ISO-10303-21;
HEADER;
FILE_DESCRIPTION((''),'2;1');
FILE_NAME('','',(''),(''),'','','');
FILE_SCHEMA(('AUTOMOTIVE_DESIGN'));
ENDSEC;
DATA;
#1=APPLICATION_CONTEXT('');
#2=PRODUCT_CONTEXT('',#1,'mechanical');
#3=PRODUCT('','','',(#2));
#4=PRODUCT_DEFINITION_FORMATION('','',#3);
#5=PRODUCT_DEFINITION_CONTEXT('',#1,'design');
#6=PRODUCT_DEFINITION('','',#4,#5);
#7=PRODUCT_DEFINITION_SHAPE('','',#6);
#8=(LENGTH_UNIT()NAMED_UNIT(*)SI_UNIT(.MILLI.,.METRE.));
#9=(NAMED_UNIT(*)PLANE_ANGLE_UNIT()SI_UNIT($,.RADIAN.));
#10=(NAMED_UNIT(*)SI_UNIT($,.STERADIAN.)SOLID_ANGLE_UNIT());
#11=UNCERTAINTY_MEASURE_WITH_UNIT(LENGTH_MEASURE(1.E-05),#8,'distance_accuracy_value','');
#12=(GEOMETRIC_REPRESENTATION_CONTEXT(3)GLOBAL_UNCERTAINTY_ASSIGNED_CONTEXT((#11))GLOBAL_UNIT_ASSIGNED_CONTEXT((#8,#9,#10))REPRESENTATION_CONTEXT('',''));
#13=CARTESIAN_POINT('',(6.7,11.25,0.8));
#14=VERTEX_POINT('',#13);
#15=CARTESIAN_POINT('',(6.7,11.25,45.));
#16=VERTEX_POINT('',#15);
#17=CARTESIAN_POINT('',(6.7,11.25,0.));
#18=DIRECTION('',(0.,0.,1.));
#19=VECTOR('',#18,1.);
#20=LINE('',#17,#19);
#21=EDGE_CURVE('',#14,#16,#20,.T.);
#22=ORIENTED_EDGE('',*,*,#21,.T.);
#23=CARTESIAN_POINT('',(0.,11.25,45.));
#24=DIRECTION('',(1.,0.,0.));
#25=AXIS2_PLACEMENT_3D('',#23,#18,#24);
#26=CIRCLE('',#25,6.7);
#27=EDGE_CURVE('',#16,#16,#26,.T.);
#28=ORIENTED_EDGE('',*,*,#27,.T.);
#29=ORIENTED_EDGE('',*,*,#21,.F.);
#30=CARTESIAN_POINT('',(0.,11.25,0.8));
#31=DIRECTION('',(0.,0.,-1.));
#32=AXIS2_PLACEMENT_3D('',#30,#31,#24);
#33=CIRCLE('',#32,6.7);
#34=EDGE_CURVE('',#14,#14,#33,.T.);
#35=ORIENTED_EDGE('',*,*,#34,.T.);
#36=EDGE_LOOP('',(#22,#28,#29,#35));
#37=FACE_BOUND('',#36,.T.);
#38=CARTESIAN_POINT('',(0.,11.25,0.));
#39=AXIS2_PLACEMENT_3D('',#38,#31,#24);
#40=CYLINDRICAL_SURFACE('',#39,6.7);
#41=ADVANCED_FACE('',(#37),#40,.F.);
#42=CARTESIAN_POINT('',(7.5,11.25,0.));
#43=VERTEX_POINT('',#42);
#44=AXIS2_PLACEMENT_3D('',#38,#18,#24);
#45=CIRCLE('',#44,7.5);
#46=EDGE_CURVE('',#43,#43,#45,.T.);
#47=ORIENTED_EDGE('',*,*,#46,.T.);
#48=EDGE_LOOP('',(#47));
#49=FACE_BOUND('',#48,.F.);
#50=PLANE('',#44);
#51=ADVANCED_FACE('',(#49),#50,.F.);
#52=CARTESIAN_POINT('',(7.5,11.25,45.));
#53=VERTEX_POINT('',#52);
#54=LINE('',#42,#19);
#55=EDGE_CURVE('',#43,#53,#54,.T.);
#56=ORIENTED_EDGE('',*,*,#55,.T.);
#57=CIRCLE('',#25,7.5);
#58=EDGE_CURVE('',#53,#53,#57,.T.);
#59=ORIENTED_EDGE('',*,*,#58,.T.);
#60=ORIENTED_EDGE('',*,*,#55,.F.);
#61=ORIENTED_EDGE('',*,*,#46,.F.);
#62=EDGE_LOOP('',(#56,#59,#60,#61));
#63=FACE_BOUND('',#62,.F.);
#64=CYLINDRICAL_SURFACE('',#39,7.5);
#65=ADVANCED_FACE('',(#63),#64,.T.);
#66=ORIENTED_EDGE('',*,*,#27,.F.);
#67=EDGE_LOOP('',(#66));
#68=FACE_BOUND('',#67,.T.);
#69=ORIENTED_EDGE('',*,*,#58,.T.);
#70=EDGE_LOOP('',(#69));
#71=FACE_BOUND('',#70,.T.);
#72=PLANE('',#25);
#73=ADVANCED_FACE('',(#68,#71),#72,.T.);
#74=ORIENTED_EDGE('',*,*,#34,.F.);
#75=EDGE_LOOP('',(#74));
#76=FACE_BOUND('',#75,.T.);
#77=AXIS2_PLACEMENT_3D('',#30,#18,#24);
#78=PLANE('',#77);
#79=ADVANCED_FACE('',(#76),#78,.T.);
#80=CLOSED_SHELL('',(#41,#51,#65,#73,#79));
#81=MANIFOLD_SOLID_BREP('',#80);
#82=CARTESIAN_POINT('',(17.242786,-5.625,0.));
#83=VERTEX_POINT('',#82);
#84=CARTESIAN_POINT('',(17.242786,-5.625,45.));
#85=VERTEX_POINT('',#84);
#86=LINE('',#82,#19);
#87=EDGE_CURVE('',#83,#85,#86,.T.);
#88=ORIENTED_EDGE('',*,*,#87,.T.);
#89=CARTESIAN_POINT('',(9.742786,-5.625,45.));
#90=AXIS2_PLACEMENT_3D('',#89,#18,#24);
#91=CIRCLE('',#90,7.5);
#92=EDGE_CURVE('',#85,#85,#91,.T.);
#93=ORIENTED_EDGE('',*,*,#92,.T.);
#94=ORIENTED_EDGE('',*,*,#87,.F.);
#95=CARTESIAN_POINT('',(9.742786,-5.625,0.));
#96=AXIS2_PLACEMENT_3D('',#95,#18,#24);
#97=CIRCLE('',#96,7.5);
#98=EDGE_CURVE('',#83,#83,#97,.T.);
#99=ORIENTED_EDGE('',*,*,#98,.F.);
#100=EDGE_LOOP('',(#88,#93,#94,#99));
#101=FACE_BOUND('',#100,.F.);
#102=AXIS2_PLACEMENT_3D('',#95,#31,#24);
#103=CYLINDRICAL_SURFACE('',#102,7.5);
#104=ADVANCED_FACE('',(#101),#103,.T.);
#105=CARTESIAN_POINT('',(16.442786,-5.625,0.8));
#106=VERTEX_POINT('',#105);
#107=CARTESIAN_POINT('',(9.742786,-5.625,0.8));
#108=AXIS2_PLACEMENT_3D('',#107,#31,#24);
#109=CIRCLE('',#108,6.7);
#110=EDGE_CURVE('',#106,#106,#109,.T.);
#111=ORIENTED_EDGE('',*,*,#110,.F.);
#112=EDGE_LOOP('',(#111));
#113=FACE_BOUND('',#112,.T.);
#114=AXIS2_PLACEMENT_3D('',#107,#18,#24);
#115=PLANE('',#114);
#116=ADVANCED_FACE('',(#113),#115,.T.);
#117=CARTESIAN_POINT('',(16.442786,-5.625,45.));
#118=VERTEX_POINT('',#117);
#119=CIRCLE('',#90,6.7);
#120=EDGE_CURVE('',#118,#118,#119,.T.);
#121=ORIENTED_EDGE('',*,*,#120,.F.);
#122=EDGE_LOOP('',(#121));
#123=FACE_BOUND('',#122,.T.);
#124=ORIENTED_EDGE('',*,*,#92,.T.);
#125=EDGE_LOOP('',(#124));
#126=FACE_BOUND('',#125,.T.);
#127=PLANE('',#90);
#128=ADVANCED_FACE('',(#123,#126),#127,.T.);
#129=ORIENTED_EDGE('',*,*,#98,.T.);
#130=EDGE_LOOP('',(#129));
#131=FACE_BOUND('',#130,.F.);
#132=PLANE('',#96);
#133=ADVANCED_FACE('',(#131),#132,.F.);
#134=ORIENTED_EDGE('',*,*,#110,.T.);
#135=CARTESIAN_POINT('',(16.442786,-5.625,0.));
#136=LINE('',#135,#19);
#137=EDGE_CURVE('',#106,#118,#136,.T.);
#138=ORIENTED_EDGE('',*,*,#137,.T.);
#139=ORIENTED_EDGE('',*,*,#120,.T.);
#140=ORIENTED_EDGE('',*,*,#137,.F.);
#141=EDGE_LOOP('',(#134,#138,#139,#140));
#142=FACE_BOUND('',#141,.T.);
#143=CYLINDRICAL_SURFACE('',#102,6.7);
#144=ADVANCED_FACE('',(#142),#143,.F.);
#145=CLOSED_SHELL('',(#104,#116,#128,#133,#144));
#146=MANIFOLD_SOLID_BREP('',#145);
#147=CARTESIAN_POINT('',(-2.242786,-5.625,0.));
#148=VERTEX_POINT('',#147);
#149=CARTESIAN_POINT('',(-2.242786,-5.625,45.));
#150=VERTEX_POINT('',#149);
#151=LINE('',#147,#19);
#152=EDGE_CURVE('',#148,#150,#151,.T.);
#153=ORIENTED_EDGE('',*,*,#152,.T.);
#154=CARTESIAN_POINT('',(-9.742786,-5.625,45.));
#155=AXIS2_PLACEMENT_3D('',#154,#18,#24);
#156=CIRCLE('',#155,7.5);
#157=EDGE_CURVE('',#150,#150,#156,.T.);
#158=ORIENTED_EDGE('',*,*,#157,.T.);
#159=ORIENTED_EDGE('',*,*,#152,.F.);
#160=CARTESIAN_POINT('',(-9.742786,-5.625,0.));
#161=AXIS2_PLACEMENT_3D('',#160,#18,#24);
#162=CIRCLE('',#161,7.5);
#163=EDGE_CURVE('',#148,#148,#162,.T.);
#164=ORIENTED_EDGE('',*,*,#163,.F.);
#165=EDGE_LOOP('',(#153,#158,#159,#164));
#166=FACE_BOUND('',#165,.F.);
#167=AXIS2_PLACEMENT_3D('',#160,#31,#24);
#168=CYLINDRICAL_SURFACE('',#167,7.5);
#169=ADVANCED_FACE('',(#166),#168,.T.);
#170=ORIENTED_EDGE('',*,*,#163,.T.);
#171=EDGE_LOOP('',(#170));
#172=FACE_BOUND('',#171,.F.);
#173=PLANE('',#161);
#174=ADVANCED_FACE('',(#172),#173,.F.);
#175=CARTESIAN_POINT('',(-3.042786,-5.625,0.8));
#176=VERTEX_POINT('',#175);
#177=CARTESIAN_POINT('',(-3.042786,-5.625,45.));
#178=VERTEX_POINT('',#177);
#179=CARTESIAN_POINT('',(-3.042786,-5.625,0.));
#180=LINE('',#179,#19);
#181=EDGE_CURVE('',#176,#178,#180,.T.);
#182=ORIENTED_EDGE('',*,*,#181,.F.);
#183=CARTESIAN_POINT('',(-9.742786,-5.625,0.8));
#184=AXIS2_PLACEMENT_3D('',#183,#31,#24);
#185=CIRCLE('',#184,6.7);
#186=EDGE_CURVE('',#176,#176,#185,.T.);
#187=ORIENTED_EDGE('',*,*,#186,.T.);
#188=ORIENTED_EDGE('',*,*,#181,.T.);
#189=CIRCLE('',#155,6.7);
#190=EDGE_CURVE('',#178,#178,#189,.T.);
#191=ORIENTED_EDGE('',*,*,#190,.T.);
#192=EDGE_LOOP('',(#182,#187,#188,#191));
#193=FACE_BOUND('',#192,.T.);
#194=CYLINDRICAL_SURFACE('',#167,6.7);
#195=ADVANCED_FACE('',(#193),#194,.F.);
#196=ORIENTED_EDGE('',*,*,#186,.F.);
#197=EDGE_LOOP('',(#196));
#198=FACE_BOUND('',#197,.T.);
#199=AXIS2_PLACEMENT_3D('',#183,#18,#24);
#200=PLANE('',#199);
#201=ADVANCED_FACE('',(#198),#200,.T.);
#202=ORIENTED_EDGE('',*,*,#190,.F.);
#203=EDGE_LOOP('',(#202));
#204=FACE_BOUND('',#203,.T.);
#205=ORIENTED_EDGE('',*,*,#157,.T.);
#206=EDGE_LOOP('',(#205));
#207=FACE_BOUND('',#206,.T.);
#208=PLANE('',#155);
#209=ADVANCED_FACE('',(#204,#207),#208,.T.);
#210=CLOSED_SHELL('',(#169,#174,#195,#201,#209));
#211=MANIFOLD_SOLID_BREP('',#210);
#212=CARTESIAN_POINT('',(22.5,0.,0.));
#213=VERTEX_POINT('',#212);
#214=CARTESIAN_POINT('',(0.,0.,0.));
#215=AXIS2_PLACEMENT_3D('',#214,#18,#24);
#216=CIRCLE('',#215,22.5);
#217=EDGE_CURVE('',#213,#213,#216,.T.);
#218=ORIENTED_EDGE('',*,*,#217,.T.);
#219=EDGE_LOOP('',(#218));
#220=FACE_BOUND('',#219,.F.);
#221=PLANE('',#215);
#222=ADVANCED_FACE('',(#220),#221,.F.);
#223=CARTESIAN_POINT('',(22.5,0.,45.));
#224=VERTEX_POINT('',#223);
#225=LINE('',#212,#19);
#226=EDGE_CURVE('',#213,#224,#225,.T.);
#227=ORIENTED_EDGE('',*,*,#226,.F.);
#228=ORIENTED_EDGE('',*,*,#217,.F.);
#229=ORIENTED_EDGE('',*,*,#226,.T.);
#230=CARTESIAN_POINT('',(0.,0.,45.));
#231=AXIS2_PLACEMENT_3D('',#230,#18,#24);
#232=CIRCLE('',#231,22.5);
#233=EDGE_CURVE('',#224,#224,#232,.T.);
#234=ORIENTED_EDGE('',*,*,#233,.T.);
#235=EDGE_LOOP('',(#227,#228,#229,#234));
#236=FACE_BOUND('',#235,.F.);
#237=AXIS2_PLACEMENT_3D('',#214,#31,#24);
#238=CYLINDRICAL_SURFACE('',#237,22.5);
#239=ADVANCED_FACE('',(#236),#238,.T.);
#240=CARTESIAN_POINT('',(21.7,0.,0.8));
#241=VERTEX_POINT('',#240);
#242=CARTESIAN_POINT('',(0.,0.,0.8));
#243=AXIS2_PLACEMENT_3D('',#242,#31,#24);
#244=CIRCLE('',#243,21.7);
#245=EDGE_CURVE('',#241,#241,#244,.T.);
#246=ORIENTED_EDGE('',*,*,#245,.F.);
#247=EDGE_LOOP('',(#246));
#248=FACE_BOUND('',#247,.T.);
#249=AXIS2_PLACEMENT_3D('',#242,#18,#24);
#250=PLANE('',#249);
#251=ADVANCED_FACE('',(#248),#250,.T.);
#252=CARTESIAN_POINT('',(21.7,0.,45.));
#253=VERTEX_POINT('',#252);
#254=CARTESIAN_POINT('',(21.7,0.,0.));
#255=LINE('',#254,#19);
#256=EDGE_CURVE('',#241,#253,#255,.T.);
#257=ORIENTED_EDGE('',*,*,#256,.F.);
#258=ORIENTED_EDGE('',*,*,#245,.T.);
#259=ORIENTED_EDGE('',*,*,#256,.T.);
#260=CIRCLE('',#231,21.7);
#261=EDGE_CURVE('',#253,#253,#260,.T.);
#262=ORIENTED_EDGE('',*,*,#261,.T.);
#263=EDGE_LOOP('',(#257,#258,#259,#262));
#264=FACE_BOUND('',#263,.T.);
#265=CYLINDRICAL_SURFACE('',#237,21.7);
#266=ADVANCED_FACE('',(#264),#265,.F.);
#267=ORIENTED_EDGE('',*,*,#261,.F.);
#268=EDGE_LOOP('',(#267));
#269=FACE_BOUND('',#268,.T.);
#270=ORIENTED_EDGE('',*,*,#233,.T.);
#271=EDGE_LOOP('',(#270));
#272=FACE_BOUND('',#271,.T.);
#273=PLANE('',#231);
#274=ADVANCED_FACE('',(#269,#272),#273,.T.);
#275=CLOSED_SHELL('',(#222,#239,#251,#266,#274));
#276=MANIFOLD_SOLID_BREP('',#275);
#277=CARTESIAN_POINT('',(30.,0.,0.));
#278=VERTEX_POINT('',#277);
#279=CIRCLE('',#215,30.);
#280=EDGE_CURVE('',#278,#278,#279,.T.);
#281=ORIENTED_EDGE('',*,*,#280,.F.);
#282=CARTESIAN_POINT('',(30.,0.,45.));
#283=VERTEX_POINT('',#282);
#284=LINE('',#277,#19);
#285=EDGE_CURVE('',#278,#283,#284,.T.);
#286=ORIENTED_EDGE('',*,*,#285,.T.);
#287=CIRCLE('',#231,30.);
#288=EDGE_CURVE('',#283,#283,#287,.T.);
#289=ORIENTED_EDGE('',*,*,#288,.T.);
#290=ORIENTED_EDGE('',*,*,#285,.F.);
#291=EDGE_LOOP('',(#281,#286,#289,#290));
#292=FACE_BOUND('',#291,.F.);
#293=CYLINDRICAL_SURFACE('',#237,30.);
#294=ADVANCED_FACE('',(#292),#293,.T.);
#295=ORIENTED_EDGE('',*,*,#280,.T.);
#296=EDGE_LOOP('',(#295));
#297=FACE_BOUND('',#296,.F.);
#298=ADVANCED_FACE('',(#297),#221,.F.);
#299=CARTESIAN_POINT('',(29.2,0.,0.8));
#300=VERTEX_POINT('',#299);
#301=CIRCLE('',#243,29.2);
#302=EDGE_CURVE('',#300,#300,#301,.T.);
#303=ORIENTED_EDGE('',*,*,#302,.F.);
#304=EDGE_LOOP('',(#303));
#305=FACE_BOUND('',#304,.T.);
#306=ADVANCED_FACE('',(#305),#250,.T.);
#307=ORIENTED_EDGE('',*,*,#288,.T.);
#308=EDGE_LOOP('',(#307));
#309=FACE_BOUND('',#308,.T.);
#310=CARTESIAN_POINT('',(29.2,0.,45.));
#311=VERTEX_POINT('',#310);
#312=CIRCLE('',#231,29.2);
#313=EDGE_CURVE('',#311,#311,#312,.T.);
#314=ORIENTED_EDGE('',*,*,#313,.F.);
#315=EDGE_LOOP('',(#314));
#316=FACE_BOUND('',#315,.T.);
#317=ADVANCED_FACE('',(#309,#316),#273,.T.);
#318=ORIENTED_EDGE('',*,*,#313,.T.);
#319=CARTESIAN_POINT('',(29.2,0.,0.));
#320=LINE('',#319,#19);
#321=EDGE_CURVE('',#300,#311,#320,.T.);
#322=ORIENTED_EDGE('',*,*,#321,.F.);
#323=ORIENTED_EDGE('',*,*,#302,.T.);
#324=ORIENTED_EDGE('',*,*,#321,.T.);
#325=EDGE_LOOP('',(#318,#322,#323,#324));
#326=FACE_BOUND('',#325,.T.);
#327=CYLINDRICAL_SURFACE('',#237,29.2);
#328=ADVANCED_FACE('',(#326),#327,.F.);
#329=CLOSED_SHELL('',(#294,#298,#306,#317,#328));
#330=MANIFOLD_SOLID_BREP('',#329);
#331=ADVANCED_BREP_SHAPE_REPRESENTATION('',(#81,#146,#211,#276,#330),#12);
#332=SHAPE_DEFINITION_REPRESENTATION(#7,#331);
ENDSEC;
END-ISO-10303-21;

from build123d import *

# Parameters (mm, degrees)
F0_R     = 7.5
F1_DEPTH = 45
F0_R_2   = 22.5
F2_DEPTH = 45
F0_R_3   = 30
F3_DEPTH = 45
F4_T     = -0.8
F5_T     = -0.8
F6_T     = -0.8
F7_T     = -0.8
F8_T     = -0.8


with BuildPart() as f1:
    # F0 (on Top) → F1 (new body)
    with BuildSketch(Plane.XY):
        with Locations((0, 11.25)):
            Circle(F0_R)
    extrude(amount=F1_DEPTH)

    # F7
    f7_openings = [f1.faces().sort_by_distance(p)[0] for p in [
        (0, 11.25, 45),
    ]]
    offset(amount=F7_T, openings=f7_openings)


with BuildPart() as f1b:
    # F0 (on Top) → F1, piece 2 (new body)
    with BuildSketch(Plane.XY):
        with Locations((9.7427857926, -5.625)):
            Circle(F0_R)
    extrude(amount=F1_DEPTH)

    # F8
    f8_openings = [f1b.faces().sort_by_distance(p)[0] for p in [
        (9.742786, -5.625, 45),
    ]]
    offset(amount=F8_T, openings=f8_openings)


with BuildPart() as f1c:
    # F0 (on Top) → F1, piece 3 (new body)
    with BuildSketch(Plane.XY):
        with Locations((-9.7427857926, -5.625)):
            Circle(F0_R)
    extrude(amount=F1_DEPTH)

    # F6
    f6_openings = [f1c.faces().sort_by_distance(p)[0] for p in [
        (-9.742786, -5.625, 45),
    ]]
    offset(amount=F6_T, openings=f6_openings)


with BuildPart() as f2:
    # F0 (on Top) → F2 (new body)
    with BuildSketch(Plane.XY):
        Circle(F0_R_2)
        with Locations((-9.7427857926, -5.625)):
            Circle(F0_R, mode=Mode.SUBTRACT)
        with Locations((9.7427857926, -5.625)):
            Circle(F0_R, mode=Mode.SUBTRACT)
        with Locations((0, 11.25)):
            Circle(F0_R, mode=Mode.SUBTRACT)
        with Locations((-9.7427857926, -5.625)):
            Circle(F0_R)
        with Locations((0, 11.25)):
            Circle(F0_R)
        with Locations((9.7427857926, -5.625)):
            Circle(F0_R)
    extrude(amount=F2_DEPTH)

    # F5
    f5_openings = [f2.faces().sort_by_distance(p)[0] for p in [
        (0, 0, 45),
    ]]
    offset(amount=F5_T, openings=f5_openings)


with BuildPart() as f3:
    # F0 (on Top) → F3 (new body)
    with BuildSketch(Plane.XY):
        Circle(F0_R_3)
        Circle(F0_R_2, mode=Mode.SUBTRACT)
        Circle(F0_R_2)
        with Locations((-9.7427857926, -5.625)):
            Circle(F0_R, mode=Mode.SUBTRACT)
        with Locations((9.7427857926, -5.625)):
            Circle(F0_R, mode=Mode.SUBTRACT)
        with Locations((0, 11.25)):
            Circle(F0_R, mode=Mode.SUBTRACT)
        with Locations((-9.7427857926, -5.625)):
            Circle(F0_R)
        with Locations((0, 11.25)):
            Circle(F0_R)
        with Locations((9.7427857926, -5.625)):
            Circle(F0_R)
    extrude(amount=F3_DEPTH)

    # F4
    f4_openings = [f3.faces().sort_by_distance(p)[0] for p in [
        (0, 0, 45),
    ]]
    offset(amount=F4_T, openings=f4_openings)


solid = Compound([f1.part, f1b.part, f1c.part, f2.part, f3.part])
